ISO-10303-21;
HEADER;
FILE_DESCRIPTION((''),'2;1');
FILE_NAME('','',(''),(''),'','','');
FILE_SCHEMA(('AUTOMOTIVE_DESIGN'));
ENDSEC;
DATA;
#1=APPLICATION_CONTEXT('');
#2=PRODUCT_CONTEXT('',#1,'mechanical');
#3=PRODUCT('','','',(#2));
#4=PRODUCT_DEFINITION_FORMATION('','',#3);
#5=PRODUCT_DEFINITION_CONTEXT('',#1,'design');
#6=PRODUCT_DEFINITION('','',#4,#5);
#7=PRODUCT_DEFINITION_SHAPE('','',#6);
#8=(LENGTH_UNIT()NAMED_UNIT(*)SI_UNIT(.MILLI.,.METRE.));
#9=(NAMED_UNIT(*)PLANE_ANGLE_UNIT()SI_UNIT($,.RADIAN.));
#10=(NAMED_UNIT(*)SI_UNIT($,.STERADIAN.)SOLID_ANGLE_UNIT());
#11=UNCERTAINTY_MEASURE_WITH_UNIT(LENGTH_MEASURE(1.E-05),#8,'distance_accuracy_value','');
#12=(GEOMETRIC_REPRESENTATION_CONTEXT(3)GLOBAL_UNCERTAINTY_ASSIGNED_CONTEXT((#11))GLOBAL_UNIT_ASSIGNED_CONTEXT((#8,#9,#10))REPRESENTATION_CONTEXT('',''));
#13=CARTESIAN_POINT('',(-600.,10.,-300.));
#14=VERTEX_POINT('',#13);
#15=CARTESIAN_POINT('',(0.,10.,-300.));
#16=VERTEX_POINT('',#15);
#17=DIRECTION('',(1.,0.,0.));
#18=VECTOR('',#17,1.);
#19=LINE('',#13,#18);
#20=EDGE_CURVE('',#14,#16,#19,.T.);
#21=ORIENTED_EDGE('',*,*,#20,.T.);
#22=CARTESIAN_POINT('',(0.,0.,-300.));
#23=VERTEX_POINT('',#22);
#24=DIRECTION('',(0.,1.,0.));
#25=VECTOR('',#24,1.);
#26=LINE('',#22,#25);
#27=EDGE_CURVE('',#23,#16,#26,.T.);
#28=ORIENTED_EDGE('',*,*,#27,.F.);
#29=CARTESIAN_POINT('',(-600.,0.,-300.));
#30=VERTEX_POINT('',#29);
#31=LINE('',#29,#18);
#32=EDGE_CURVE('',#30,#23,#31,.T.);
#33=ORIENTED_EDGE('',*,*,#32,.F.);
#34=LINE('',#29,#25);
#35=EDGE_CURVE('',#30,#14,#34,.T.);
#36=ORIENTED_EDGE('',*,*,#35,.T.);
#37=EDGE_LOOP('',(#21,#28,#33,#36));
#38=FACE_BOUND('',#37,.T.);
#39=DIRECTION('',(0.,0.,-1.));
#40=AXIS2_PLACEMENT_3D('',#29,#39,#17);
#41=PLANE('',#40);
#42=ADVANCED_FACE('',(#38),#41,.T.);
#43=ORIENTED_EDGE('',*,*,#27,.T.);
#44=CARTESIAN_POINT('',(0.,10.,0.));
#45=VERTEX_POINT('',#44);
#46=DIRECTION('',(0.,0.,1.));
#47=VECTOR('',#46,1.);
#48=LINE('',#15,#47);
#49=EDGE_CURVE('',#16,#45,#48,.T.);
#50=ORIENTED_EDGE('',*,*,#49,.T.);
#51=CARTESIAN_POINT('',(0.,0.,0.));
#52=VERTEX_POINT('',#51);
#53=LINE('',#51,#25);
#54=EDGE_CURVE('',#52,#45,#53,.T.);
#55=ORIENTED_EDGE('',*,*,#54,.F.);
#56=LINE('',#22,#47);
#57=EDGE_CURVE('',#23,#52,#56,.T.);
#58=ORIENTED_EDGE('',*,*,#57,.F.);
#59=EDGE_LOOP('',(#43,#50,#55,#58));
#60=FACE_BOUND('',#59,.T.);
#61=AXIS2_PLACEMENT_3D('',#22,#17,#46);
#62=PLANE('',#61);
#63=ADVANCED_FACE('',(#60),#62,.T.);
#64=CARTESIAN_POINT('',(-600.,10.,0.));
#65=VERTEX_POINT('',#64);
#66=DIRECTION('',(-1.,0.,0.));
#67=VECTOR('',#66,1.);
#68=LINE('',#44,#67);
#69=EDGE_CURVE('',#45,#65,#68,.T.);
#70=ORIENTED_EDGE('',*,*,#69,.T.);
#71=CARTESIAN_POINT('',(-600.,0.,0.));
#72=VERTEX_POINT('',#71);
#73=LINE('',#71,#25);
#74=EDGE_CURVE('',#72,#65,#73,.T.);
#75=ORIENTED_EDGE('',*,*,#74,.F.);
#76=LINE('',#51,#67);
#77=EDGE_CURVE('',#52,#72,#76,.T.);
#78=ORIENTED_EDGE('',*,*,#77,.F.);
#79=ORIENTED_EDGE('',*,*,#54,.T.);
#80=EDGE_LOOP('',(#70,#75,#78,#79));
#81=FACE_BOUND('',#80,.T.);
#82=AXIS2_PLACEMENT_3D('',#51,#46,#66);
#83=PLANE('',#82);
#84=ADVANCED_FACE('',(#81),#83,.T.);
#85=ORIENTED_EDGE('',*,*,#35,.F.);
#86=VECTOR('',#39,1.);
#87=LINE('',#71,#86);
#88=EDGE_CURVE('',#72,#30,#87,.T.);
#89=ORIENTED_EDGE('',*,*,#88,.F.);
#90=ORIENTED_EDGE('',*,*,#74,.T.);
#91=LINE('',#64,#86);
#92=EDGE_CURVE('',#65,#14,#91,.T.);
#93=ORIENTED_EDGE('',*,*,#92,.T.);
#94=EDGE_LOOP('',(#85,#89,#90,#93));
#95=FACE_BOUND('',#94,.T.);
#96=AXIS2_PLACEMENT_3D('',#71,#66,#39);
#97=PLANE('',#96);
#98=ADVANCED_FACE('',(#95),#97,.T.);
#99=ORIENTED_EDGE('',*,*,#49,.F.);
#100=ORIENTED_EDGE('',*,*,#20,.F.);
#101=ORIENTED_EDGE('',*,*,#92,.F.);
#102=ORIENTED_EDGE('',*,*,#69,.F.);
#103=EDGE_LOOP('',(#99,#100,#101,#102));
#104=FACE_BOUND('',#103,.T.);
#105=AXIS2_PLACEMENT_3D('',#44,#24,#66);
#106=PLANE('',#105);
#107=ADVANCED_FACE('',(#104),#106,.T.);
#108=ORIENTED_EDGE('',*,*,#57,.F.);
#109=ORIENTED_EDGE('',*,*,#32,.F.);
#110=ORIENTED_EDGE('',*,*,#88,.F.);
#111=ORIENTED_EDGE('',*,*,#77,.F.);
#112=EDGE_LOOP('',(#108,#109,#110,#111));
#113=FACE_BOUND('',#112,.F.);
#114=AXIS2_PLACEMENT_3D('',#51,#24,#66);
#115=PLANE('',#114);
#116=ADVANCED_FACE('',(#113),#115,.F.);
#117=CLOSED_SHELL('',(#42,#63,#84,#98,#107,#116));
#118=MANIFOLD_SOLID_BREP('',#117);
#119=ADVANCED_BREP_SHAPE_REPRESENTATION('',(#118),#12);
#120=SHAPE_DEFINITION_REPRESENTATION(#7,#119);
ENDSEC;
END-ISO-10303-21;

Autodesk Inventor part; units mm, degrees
ref_plane "YZ Plane" through (0, 0, 0) normal (1, 0, 0) x (0, 1, 0)
ref_plane "XZ Plane" through (0, 0, 0) normal (0, 1, 0) x (-1, 0, 0)
ref_plane "XY Plane" through (0, 0, 0) normal (0, 0, 1) x (1, 0, 0)
sketch "Sketch1" plane through (0, 0, 0) normal (0, 1, 0) x (-1, 0, 0)
  line L0 (0, 0) -> (600, 0)
  line L1 (600, 0) -> (600, -300)
  line L2 (600, -300) -> (0, -300)
  line L3 (0, -300) -> (0, 0)
  dimension "d0" = 600
  dimension "d1" = 300
extrude "Extrusion1" add sketch "Sketch1" along normal blind 10
properties part number "TILE 30X60"
